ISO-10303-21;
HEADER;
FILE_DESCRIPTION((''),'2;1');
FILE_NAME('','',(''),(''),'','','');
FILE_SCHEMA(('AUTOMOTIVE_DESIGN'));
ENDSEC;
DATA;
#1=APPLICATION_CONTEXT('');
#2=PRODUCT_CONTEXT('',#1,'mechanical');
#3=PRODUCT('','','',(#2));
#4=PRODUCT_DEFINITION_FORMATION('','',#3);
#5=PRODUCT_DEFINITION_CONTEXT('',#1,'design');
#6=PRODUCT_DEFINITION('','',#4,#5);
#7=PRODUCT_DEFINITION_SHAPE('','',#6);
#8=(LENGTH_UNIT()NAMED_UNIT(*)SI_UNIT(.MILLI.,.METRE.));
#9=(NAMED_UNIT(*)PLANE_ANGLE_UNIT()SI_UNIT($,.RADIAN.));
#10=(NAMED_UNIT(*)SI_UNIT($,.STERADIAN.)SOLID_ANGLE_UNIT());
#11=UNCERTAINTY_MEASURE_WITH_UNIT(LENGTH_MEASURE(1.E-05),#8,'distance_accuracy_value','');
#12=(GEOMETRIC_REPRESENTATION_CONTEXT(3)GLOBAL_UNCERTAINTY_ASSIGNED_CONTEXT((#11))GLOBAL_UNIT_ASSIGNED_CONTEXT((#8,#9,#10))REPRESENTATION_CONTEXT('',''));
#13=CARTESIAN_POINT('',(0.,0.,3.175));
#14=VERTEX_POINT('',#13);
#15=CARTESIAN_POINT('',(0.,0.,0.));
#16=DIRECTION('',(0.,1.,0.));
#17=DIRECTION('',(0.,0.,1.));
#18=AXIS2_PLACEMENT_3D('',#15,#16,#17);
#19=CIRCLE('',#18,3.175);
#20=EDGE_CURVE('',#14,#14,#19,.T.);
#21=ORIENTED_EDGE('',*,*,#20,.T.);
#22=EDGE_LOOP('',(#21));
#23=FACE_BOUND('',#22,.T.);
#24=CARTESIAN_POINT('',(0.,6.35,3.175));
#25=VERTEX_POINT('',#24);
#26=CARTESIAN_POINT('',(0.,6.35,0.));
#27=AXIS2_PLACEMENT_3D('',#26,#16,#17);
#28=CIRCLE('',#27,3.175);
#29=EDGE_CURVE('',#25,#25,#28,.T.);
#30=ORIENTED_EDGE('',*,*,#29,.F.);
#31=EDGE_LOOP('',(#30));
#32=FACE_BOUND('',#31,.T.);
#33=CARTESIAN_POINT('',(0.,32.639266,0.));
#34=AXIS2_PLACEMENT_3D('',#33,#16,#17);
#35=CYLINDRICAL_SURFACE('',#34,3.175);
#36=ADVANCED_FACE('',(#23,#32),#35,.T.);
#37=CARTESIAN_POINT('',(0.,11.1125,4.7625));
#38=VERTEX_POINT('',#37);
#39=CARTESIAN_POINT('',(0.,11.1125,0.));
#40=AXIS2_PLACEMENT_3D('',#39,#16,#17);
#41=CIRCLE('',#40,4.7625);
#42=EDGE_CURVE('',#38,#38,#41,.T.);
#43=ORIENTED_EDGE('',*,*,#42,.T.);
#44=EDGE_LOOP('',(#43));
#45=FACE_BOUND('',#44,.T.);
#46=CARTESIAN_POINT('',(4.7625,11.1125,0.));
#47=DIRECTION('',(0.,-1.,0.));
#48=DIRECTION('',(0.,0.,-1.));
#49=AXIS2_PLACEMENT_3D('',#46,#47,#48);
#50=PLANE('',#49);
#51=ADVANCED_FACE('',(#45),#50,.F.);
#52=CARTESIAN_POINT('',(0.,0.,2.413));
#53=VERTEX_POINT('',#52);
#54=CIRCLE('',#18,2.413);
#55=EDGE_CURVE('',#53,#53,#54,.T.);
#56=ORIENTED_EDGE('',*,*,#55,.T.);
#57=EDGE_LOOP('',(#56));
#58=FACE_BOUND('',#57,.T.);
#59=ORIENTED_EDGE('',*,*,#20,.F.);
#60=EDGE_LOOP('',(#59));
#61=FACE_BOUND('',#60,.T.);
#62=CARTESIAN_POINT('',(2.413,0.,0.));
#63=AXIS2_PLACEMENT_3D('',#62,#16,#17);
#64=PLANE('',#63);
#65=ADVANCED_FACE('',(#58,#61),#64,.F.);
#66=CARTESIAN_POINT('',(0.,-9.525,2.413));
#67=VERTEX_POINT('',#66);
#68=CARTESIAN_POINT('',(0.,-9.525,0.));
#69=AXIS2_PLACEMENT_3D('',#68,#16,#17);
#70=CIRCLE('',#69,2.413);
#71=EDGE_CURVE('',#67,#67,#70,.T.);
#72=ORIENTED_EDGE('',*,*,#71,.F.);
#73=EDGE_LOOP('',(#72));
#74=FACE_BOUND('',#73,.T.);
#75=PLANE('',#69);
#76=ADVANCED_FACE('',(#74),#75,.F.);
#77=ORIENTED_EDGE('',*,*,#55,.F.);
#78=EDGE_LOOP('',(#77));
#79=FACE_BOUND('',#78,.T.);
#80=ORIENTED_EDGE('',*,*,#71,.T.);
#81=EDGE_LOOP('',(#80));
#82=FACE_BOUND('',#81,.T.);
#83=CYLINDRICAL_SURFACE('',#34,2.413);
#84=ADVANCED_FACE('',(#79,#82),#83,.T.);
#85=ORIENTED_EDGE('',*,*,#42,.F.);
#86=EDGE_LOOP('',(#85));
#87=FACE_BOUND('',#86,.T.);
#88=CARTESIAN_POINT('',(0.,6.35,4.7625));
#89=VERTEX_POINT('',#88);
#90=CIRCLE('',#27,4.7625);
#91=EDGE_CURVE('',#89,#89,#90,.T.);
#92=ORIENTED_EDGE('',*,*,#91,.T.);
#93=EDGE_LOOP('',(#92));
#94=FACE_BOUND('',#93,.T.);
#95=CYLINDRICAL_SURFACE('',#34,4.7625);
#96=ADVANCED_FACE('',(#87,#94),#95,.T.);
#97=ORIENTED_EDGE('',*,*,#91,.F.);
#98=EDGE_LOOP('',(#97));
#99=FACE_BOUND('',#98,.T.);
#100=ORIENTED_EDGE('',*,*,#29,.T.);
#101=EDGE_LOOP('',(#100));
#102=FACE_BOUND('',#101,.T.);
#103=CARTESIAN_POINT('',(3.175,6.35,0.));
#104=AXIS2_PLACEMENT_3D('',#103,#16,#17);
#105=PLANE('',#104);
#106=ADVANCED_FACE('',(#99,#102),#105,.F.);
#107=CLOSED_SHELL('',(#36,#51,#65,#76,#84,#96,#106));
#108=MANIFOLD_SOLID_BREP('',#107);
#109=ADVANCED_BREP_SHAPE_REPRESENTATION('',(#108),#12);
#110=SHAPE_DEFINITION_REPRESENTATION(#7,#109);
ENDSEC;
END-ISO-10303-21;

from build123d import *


with BuildPart() as part:
    # Sketch1 → Revolve1 (revolve)
    with BuildSketch(Plane.XY):
        Polygon((0, -9.525), (2.413, -9.525), (2.413, 0), (3.175, 0), (3.175, 6.35), (4.7625, 6.35), (4.7625, 11.1125), (0, 11.1125), align=None)
    revolve(axis=Axis((0, 32.639266451, 0), (0, -1, 0)))


solid = part.part
